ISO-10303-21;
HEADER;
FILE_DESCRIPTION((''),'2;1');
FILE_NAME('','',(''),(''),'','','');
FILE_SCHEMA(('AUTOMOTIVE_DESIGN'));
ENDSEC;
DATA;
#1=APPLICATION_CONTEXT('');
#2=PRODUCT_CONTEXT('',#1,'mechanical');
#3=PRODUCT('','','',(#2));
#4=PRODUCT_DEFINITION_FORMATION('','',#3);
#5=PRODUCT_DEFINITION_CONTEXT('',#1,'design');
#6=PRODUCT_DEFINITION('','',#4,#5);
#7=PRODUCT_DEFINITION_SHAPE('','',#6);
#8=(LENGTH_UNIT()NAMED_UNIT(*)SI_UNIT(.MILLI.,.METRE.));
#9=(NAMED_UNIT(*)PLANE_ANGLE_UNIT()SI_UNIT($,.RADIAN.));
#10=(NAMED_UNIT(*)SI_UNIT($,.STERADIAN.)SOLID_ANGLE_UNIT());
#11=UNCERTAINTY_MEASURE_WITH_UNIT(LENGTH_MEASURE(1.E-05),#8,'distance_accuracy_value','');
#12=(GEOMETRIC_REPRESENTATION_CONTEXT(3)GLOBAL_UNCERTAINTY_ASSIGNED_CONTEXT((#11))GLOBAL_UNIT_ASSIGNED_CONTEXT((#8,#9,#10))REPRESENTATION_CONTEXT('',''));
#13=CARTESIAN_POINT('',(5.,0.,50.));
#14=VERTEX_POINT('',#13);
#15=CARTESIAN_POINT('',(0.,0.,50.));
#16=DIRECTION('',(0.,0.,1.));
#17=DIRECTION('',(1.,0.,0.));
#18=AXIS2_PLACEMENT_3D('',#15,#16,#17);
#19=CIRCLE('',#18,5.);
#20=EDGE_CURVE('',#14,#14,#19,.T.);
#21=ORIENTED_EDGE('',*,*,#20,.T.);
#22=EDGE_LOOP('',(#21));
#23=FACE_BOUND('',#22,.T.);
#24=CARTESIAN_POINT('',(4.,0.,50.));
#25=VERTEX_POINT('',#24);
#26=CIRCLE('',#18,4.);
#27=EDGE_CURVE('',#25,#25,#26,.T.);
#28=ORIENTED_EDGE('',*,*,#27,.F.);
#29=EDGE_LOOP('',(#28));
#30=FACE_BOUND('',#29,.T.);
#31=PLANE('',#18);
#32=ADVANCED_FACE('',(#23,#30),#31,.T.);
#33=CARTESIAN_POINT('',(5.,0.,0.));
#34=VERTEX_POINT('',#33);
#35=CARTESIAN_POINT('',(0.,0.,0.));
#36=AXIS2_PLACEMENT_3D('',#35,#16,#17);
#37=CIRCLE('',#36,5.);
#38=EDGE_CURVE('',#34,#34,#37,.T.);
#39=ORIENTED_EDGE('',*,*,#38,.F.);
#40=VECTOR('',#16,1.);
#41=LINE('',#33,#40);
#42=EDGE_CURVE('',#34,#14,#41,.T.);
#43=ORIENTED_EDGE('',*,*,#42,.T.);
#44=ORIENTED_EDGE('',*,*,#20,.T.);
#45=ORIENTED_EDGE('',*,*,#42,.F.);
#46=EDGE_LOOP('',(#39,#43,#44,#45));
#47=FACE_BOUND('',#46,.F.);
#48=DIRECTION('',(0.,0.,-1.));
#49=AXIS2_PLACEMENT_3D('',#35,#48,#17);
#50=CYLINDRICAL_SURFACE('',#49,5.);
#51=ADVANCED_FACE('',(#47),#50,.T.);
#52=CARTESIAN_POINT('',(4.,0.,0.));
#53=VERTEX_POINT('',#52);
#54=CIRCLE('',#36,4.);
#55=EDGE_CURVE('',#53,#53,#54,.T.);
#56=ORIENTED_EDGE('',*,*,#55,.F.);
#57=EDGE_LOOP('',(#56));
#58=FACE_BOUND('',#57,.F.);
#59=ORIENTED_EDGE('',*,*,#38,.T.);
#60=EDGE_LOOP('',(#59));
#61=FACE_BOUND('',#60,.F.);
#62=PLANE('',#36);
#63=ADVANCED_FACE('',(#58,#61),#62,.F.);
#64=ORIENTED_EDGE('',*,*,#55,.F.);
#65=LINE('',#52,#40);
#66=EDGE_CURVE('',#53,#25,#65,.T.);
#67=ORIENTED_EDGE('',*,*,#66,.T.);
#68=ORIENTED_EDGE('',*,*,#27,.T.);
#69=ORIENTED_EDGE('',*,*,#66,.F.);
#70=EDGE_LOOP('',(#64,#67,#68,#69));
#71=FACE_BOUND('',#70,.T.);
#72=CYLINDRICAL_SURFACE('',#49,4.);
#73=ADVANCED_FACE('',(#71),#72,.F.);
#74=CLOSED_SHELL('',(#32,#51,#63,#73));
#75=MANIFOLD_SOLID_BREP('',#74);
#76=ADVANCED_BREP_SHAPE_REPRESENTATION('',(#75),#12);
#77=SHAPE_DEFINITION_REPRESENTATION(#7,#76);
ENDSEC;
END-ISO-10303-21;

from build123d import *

# Parameters (mm, degrees)
SKETCH_R   = 5
SKETCH_R_2 = 4
PAD_DEPTH  = 50


with BuildPart() as part:
    # Sketch → Pad (new body)
    with BuildSketch(Plane.XY):
        Circle(SKETCH_R)
        Circle(SKETCH_R_2, mode=Mode.SUBTRACT)
    extrude(amount=PAD_DEPTH)


solid = part.part
